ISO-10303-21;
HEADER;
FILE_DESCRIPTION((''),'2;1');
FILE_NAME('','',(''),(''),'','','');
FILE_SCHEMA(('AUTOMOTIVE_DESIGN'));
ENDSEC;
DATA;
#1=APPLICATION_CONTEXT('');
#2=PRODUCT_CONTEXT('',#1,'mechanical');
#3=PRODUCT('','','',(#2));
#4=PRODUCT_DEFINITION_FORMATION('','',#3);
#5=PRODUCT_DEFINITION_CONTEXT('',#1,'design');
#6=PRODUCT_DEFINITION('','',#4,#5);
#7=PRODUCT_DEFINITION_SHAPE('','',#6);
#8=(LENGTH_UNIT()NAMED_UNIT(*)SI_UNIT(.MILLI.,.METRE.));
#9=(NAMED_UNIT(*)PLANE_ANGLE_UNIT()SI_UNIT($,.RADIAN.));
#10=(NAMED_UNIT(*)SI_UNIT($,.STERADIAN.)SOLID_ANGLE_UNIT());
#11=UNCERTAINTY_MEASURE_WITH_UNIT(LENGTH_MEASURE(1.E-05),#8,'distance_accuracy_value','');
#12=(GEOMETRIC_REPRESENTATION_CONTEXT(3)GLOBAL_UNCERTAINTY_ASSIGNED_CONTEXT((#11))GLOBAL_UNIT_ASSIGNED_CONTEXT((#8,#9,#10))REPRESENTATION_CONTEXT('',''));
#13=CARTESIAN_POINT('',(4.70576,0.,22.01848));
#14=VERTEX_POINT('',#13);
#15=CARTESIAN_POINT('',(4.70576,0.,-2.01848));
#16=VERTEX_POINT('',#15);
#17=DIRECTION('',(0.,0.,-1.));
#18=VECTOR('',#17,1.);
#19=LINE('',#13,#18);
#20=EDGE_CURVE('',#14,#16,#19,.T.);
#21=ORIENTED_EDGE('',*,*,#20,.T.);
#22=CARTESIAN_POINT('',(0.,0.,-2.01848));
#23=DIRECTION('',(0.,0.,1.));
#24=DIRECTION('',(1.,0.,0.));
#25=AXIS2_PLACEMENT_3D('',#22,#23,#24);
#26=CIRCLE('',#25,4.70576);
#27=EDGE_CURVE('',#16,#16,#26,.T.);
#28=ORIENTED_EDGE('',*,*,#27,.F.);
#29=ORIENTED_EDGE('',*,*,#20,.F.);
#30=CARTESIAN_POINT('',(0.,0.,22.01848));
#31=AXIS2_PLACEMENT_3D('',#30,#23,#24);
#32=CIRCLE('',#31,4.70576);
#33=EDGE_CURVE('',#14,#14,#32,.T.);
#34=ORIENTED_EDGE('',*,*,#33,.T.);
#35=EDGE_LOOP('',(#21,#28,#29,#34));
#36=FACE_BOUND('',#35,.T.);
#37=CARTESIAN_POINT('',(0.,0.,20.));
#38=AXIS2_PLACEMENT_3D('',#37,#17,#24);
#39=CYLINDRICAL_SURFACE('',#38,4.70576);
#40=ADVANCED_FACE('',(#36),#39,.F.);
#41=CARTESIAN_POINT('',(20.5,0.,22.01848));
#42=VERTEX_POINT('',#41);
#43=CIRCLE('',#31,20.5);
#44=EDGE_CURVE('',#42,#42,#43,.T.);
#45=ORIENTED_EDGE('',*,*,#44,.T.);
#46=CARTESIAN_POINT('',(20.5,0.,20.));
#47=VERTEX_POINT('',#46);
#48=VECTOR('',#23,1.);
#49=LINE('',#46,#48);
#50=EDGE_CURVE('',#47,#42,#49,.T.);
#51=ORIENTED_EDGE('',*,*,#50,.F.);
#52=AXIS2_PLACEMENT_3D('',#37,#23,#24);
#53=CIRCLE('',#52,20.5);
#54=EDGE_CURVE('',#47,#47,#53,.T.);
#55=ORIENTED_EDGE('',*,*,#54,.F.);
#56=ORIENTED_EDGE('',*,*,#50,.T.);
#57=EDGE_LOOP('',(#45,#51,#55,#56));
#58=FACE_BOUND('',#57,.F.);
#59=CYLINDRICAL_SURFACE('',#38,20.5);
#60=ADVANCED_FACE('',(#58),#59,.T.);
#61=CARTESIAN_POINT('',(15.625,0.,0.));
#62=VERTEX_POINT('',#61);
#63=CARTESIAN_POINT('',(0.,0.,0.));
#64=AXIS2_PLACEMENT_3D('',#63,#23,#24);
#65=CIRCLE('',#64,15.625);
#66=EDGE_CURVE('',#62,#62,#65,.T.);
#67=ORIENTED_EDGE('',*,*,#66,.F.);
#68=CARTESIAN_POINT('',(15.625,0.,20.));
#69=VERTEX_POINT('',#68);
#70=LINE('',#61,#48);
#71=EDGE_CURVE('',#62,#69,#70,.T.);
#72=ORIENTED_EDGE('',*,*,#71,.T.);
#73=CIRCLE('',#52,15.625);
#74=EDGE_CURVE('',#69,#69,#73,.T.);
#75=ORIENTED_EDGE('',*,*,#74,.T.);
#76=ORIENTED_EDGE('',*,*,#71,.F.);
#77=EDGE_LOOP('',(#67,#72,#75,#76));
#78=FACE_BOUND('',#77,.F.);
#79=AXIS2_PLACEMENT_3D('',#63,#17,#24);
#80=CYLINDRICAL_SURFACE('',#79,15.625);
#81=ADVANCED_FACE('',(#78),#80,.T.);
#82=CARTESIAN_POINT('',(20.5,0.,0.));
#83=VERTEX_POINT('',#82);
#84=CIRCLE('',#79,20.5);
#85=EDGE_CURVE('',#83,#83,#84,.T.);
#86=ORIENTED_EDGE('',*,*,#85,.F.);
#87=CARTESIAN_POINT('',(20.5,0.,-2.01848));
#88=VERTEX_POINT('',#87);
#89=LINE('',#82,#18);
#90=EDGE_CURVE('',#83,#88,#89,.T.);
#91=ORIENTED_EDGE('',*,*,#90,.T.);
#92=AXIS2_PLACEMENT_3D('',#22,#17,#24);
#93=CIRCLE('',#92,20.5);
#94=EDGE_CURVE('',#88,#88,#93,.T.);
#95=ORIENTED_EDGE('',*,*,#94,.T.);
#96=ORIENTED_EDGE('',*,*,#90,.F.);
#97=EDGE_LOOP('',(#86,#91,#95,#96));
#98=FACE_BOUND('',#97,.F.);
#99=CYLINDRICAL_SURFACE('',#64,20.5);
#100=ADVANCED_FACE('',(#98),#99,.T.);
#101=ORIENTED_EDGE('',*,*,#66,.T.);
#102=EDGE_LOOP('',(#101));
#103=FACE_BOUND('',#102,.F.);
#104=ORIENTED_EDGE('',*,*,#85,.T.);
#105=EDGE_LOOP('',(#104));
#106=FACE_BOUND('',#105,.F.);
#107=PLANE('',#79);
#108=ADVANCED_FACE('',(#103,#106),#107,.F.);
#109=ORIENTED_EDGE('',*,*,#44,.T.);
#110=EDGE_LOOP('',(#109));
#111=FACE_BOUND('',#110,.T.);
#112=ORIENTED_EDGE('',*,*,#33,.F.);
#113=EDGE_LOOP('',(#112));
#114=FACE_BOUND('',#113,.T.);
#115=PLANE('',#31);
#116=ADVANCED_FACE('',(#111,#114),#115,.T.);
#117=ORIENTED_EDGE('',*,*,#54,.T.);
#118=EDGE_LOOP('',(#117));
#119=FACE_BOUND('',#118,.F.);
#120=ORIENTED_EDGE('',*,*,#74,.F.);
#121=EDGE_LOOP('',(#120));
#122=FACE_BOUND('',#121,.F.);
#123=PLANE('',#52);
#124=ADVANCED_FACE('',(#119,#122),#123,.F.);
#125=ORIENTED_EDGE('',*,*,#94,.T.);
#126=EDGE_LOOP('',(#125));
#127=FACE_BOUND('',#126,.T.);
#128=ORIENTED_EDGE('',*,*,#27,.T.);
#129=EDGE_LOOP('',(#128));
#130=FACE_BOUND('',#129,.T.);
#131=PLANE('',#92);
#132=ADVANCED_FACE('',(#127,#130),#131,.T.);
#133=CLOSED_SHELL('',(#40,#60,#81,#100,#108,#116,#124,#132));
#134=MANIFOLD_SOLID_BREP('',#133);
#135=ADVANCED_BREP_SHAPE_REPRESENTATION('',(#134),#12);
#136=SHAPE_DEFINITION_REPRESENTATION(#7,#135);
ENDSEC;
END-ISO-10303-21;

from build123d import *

# Parameters (mm, degrees)
F0_R          = 15.625
F0_R_2        = 5.715
F1_DEPTH      = 20
F2_R          = 5.715
F2_R_2        = 4.70576
F3_DEPTH      = 2.01848
F3_DEPTH_BACK = 22.01848
F4_R          = 20.5
F4_R_2        = 5.715
F5_DEPTH      = 2.01848
F6_R          = 20.5
F6_R_2        = 5.715
F7_DEPTH      = 2.01848


with BuildPart() as f1:
    # F0 (on Top) → F1 (new body)
    with BuildSketch(Plane.XY):
        Circle(F0_R)
        Circle(F0_R_2, mode=Mode.SUBTRACT)
    extrude(amount=F1_DEPTH)

    # F2 (on face) → F3 (join, two sides)
    with BuildSketch(Plane.XY.offset(20)) as f3_sk:
        Circle(F2_R)
        Circle(F2_R_2, mode=Mode.SUBTRACT)
    extrude(amount=F3_DEPTH)
    extrude(f3_sk.sketch, amount=-F3_DEPTH_BACK)

    # F4 (on face) → F5 (join)
    with BuildSketch(Plane.XY.offset(20)):
        Circle(F4_R)
        Circle(F4_R_2, mode=Mode.SUBTRACT)
    extrude(amount=F5_DEPTH)

    # F6 (on face) → F7 (join)
    with BuildSketch(Plane(origin=(0, 0, 0), x_dir=(1, 0, 0), z_dir=(0, 0, -1))):
        Circle(F6_R)
        Circle(F6_R_2, mode=Mode.SUBTRACT)
    extrude(amount=F7_DEPTH)


solid = f1.part
